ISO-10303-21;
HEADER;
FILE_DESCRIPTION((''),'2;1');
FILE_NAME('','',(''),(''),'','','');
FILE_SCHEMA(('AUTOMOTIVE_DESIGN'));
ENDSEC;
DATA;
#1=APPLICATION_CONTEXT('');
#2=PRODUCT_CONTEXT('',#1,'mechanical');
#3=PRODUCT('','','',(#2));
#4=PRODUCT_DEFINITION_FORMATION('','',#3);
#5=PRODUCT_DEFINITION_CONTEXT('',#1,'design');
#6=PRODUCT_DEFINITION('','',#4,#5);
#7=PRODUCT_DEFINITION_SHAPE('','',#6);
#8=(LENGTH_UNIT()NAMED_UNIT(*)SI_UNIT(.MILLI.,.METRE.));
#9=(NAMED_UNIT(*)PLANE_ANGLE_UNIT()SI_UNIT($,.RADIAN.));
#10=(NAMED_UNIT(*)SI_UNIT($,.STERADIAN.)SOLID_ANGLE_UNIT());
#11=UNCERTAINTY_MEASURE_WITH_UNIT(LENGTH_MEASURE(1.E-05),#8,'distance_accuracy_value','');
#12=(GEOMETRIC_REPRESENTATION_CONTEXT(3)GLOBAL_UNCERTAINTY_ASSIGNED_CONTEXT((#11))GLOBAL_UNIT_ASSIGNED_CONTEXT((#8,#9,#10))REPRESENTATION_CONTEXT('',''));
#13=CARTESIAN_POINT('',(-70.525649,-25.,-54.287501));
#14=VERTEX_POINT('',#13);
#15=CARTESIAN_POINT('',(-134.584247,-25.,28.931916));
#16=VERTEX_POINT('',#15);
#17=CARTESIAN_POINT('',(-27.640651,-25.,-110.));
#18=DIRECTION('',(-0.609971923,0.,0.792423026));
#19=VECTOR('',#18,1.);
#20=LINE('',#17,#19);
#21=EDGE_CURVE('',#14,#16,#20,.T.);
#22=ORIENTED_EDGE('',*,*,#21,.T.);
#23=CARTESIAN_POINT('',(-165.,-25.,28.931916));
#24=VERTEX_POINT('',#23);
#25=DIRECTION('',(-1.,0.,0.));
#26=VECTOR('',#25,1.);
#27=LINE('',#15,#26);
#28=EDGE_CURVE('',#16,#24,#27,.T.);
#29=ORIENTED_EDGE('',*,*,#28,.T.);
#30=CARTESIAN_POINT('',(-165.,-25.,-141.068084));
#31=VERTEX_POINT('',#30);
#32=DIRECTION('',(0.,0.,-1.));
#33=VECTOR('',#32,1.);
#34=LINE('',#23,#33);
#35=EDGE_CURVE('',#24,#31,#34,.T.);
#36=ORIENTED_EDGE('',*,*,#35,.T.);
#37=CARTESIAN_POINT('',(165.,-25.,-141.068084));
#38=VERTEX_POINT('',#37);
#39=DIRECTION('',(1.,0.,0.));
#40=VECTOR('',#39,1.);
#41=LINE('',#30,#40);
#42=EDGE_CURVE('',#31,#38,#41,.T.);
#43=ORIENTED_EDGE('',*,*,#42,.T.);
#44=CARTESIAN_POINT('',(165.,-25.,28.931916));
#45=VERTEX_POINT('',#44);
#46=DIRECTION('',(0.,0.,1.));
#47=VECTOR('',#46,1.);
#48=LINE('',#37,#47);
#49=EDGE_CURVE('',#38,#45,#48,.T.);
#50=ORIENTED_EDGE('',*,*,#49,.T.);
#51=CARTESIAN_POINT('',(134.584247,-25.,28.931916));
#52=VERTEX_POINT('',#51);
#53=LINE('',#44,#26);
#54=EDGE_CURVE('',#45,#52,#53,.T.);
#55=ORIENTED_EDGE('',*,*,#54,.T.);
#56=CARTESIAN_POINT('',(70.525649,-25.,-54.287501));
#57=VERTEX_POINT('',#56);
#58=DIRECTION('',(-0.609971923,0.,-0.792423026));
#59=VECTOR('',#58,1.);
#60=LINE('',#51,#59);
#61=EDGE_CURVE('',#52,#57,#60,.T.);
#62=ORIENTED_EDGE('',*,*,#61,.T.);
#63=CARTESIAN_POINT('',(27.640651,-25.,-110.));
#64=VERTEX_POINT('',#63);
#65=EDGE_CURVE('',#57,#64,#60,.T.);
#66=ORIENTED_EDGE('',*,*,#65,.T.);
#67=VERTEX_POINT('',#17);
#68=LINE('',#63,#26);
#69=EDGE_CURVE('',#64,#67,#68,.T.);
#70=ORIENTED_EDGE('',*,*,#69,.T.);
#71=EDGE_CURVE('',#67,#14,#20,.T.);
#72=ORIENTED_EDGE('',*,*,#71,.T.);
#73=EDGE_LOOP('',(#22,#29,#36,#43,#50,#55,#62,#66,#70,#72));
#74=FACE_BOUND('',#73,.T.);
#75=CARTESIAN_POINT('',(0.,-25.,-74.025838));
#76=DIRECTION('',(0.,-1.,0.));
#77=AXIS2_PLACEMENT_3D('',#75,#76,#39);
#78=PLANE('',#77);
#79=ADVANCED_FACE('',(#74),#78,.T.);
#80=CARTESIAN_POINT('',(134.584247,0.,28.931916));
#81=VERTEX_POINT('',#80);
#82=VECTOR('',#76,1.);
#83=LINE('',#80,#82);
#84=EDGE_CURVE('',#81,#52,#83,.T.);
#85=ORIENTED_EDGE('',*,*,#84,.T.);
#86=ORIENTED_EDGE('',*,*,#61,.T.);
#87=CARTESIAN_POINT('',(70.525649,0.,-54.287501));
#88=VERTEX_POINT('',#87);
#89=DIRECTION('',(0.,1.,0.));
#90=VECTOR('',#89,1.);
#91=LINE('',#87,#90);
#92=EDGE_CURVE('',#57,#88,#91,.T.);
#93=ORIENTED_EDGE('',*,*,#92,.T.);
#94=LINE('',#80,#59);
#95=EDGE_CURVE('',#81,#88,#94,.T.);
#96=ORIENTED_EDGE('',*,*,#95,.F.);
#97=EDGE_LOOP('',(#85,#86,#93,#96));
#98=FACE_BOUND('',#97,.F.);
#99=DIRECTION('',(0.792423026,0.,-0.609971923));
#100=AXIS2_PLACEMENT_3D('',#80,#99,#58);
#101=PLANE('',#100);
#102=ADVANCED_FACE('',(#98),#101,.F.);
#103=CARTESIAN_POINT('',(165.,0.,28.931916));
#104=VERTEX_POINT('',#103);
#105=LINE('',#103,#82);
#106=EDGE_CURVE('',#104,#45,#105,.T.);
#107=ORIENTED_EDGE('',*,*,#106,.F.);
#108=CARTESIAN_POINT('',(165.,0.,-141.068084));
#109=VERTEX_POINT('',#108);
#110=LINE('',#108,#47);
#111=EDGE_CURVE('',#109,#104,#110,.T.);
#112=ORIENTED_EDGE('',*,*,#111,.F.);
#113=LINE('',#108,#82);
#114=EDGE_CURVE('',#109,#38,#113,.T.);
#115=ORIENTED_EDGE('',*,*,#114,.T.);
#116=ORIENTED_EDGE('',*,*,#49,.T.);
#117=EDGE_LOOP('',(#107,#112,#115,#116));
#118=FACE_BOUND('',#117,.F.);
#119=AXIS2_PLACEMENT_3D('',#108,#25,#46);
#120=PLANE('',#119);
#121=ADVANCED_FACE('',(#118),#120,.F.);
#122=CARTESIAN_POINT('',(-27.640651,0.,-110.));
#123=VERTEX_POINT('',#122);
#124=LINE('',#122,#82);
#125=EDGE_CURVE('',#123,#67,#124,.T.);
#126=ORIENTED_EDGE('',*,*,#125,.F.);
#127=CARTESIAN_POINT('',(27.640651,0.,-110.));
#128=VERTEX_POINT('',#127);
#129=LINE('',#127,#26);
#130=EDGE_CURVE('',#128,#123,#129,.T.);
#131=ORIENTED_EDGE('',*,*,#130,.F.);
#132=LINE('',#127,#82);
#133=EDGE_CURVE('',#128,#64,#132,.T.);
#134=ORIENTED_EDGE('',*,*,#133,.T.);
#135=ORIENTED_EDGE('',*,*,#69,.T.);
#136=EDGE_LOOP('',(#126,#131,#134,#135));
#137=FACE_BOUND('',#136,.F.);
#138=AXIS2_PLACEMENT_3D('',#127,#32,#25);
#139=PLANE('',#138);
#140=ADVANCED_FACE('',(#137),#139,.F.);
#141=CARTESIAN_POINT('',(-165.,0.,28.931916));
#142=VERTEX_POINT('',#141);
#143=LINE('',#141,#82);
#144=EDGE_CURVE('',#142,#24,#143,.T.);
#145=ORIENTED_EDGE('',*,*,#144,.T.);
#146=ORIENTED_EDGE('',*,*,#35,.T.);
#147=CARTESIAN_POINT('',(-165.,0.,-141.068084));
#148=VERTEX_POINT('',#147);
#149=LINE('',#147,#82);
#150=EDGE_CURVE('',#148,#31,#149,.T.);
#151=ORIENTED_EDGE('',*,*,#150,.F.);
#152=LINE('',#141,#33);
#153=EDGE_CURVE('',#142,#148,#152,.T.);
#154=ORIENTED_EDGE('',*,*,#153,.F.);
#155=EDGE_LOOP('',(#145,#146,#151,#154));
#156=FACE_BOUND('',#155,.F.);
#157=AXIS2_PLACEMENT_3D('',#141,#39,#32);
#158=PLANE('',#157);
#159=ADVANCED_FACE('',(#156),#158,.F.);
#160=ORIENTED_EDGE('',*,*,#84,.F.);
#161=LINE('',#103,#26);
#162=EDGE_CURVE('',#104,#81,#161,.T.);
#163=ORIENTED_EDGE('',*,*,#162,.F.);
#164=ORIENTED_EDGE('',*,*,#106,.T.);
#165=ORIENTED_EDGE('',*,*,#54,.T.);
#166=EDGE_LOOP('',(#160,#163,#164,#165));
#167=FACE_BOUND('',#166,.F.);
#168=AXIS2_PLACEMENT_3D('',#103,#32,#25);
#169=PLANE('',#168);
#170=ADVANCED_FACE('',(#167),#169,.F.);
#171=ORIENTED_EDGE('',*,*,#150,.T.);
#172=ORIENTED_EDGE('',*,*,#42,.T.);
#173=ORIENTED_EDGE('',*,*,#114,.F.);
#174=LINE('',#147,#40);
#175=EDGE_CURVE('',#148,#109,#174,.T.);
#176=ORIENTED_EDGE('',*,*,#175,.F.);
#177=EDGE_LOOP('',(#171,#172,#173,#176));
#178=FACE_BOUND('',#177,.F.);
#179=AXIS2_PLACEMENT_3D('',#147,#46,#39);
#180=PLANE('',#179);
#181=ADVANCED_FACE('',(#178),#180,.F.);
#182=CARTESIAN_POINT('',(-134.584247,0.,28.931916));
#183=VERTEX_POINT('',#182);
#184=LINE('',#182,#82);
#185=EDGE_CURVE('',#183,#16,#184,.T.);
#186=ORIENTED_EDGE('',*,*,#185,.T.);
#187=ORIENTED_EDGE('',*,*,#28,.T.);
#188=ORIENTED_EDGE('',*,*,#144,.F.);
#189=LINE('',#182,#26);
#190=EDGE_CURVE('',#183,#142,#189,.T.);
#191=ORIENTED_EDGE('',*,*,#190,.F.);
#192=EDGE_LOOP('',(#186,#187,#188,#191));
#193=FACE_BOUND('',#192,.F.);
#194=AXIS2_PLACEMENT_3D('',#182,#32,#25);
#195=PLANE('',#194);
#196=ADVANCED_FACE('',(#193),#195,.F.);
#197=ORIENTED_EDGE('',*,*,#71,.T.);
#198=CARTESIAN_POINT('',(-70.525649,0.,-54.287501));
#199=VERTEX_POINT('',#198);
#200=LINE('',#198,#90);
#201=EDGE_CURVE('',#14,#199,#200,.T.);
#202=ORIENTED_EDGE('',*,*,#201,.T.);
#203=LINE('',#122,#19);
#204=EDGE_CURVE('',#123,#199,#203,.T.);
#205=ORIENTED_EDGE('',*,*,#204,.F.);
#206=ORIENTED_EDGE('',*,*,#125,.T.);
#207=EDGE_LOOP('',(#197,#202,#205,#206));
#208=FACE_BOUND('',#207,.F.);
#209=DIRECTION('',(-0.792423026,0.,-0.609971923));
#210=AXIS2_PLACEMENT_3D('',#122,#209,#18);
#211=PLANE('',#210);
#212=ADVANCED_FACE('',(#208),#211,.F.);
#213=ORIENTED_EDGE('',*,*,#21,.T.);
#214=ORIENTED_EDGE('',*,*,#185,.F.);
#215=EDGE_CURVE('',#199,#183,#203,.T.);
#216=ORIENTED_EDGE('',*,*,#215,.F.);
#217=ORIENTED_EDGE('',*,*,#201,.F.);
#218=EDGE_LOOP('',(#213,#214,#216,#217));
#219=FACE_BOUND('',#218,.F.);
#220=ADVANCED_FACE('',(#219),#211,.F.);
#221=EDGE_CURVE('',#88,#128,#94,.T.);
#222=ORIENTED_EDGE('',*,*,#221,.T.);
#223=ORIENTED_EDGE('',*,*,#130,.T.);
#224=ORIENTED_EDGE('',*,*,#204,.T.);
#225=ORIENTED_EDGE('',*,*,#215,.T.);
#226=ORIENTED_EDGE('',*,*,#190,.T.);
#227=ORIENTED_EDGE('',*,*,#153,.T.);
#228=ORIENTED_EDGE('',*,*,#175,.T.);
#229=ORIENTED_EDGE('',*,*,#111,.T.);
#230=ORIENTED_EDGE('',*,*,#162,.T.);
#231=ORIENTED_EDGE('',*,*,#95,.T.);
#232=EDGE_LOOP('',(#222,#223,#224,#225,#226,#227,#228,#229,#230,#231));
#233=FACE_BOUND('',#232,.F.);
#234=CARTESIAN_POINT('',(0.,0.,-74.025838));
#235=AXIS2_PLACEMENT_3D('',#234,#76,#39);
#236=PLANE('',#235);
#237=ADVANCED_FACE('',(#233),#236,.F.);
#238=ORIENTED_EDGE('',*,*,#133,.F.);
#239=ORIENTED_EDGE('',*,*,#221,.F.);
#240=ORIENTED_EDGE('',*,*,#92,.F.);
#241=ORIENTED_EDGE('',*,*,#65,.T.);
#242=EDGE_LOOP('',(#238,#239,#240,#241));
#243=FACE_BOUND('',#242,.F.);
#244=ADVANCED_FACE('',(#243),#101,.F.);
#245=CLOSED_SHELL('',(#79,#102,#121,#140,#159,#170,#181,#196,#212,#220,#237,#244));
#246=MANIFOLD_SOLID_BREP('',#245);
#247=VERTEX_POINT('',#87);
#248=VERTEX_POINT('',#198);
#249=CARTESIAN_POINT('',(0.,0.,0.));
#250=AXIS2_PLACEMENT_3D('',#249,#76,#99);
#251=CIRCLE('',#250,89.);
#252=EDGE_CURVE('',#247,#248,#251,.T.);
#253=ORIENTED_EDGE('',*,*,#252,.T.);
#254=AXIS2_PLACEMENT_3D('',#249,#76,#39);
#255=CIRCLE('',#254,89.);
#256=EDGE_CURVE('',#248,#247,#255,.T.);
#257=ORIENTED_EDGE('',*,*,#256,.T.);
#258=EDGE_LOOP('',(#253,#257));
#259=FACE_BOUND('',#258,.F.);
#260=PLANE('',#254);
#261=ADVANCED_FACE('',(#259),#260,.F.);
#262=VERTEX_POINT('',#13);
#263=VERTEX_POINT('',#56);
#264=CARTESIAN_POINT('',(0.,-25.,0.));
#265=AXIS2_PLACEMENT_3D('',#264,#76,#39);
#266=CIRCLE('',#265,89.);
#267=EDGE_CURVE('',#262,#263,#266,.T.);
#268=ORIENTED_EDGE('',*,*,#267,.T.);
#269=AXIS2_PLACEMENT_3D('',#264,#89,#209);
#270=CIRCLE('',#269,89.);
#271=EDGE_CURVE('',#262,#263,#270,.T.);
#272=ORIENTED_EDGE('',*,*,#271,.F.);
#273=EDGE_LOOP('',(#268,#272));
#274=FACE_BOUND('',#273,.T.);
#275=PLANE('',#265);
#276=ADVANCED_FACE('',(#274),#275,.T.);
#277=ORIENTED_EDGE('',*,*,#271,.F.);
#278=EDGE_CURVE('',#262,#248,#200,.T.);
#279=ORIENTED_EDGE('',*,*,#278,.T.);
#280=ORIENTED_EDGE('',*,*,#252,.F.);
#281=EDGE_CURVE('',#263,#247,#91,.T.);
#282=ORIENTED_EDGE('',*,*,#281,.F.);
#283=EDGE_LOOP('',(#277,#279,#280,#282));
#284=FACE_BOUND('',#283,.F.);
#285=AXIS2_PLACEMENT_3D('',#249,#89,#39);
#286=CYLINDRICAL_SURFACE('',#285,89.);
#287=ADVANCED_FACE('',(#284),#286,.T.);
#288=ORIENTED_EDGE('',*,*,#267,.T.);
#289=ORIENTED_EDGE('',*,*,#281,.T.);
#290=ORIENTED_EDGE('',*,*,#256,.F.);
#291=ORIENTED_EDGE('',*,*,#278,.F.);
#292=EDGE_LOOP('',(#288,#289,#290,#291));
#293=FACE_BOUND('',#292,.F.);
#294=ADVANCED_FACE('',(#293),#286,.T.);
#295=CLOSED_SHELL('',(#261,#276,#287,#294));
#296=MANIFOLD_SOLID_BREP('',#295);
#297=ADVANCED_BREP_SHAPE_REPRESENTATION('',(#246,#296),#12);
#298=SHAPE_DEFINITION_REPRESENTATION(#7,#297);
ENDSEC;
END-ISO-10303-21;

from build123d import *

# Parameters (mm, degrees)
F2_DEPTH = 25
F0_R     = 89
F3_DEPTH = 25


with BuildPart() as f2:
    # F1 (on Front) → F2 (new body)
    with BuildSketch(Plane.XZ):
        Polygon((134.584247, 28.931916), (27.640651, -110), (0, -110), (-27.640651, -110), (-134.584247, 28.931916), (-165, 28.931916), (-165, -141.068084), (-27.945194, -141.068084), (27.945194, -141.068084), (165, -141.068084), (165, 28.931916), align=None)
    extrude(amount=F2_DEPTH)

    # F0 (on Front) → F3 (join)
    with BuildSketch(Plane.XZ):
        Circle(F0_R)
    extrude(amount=F3_DEPTH)


solid = f2.part
